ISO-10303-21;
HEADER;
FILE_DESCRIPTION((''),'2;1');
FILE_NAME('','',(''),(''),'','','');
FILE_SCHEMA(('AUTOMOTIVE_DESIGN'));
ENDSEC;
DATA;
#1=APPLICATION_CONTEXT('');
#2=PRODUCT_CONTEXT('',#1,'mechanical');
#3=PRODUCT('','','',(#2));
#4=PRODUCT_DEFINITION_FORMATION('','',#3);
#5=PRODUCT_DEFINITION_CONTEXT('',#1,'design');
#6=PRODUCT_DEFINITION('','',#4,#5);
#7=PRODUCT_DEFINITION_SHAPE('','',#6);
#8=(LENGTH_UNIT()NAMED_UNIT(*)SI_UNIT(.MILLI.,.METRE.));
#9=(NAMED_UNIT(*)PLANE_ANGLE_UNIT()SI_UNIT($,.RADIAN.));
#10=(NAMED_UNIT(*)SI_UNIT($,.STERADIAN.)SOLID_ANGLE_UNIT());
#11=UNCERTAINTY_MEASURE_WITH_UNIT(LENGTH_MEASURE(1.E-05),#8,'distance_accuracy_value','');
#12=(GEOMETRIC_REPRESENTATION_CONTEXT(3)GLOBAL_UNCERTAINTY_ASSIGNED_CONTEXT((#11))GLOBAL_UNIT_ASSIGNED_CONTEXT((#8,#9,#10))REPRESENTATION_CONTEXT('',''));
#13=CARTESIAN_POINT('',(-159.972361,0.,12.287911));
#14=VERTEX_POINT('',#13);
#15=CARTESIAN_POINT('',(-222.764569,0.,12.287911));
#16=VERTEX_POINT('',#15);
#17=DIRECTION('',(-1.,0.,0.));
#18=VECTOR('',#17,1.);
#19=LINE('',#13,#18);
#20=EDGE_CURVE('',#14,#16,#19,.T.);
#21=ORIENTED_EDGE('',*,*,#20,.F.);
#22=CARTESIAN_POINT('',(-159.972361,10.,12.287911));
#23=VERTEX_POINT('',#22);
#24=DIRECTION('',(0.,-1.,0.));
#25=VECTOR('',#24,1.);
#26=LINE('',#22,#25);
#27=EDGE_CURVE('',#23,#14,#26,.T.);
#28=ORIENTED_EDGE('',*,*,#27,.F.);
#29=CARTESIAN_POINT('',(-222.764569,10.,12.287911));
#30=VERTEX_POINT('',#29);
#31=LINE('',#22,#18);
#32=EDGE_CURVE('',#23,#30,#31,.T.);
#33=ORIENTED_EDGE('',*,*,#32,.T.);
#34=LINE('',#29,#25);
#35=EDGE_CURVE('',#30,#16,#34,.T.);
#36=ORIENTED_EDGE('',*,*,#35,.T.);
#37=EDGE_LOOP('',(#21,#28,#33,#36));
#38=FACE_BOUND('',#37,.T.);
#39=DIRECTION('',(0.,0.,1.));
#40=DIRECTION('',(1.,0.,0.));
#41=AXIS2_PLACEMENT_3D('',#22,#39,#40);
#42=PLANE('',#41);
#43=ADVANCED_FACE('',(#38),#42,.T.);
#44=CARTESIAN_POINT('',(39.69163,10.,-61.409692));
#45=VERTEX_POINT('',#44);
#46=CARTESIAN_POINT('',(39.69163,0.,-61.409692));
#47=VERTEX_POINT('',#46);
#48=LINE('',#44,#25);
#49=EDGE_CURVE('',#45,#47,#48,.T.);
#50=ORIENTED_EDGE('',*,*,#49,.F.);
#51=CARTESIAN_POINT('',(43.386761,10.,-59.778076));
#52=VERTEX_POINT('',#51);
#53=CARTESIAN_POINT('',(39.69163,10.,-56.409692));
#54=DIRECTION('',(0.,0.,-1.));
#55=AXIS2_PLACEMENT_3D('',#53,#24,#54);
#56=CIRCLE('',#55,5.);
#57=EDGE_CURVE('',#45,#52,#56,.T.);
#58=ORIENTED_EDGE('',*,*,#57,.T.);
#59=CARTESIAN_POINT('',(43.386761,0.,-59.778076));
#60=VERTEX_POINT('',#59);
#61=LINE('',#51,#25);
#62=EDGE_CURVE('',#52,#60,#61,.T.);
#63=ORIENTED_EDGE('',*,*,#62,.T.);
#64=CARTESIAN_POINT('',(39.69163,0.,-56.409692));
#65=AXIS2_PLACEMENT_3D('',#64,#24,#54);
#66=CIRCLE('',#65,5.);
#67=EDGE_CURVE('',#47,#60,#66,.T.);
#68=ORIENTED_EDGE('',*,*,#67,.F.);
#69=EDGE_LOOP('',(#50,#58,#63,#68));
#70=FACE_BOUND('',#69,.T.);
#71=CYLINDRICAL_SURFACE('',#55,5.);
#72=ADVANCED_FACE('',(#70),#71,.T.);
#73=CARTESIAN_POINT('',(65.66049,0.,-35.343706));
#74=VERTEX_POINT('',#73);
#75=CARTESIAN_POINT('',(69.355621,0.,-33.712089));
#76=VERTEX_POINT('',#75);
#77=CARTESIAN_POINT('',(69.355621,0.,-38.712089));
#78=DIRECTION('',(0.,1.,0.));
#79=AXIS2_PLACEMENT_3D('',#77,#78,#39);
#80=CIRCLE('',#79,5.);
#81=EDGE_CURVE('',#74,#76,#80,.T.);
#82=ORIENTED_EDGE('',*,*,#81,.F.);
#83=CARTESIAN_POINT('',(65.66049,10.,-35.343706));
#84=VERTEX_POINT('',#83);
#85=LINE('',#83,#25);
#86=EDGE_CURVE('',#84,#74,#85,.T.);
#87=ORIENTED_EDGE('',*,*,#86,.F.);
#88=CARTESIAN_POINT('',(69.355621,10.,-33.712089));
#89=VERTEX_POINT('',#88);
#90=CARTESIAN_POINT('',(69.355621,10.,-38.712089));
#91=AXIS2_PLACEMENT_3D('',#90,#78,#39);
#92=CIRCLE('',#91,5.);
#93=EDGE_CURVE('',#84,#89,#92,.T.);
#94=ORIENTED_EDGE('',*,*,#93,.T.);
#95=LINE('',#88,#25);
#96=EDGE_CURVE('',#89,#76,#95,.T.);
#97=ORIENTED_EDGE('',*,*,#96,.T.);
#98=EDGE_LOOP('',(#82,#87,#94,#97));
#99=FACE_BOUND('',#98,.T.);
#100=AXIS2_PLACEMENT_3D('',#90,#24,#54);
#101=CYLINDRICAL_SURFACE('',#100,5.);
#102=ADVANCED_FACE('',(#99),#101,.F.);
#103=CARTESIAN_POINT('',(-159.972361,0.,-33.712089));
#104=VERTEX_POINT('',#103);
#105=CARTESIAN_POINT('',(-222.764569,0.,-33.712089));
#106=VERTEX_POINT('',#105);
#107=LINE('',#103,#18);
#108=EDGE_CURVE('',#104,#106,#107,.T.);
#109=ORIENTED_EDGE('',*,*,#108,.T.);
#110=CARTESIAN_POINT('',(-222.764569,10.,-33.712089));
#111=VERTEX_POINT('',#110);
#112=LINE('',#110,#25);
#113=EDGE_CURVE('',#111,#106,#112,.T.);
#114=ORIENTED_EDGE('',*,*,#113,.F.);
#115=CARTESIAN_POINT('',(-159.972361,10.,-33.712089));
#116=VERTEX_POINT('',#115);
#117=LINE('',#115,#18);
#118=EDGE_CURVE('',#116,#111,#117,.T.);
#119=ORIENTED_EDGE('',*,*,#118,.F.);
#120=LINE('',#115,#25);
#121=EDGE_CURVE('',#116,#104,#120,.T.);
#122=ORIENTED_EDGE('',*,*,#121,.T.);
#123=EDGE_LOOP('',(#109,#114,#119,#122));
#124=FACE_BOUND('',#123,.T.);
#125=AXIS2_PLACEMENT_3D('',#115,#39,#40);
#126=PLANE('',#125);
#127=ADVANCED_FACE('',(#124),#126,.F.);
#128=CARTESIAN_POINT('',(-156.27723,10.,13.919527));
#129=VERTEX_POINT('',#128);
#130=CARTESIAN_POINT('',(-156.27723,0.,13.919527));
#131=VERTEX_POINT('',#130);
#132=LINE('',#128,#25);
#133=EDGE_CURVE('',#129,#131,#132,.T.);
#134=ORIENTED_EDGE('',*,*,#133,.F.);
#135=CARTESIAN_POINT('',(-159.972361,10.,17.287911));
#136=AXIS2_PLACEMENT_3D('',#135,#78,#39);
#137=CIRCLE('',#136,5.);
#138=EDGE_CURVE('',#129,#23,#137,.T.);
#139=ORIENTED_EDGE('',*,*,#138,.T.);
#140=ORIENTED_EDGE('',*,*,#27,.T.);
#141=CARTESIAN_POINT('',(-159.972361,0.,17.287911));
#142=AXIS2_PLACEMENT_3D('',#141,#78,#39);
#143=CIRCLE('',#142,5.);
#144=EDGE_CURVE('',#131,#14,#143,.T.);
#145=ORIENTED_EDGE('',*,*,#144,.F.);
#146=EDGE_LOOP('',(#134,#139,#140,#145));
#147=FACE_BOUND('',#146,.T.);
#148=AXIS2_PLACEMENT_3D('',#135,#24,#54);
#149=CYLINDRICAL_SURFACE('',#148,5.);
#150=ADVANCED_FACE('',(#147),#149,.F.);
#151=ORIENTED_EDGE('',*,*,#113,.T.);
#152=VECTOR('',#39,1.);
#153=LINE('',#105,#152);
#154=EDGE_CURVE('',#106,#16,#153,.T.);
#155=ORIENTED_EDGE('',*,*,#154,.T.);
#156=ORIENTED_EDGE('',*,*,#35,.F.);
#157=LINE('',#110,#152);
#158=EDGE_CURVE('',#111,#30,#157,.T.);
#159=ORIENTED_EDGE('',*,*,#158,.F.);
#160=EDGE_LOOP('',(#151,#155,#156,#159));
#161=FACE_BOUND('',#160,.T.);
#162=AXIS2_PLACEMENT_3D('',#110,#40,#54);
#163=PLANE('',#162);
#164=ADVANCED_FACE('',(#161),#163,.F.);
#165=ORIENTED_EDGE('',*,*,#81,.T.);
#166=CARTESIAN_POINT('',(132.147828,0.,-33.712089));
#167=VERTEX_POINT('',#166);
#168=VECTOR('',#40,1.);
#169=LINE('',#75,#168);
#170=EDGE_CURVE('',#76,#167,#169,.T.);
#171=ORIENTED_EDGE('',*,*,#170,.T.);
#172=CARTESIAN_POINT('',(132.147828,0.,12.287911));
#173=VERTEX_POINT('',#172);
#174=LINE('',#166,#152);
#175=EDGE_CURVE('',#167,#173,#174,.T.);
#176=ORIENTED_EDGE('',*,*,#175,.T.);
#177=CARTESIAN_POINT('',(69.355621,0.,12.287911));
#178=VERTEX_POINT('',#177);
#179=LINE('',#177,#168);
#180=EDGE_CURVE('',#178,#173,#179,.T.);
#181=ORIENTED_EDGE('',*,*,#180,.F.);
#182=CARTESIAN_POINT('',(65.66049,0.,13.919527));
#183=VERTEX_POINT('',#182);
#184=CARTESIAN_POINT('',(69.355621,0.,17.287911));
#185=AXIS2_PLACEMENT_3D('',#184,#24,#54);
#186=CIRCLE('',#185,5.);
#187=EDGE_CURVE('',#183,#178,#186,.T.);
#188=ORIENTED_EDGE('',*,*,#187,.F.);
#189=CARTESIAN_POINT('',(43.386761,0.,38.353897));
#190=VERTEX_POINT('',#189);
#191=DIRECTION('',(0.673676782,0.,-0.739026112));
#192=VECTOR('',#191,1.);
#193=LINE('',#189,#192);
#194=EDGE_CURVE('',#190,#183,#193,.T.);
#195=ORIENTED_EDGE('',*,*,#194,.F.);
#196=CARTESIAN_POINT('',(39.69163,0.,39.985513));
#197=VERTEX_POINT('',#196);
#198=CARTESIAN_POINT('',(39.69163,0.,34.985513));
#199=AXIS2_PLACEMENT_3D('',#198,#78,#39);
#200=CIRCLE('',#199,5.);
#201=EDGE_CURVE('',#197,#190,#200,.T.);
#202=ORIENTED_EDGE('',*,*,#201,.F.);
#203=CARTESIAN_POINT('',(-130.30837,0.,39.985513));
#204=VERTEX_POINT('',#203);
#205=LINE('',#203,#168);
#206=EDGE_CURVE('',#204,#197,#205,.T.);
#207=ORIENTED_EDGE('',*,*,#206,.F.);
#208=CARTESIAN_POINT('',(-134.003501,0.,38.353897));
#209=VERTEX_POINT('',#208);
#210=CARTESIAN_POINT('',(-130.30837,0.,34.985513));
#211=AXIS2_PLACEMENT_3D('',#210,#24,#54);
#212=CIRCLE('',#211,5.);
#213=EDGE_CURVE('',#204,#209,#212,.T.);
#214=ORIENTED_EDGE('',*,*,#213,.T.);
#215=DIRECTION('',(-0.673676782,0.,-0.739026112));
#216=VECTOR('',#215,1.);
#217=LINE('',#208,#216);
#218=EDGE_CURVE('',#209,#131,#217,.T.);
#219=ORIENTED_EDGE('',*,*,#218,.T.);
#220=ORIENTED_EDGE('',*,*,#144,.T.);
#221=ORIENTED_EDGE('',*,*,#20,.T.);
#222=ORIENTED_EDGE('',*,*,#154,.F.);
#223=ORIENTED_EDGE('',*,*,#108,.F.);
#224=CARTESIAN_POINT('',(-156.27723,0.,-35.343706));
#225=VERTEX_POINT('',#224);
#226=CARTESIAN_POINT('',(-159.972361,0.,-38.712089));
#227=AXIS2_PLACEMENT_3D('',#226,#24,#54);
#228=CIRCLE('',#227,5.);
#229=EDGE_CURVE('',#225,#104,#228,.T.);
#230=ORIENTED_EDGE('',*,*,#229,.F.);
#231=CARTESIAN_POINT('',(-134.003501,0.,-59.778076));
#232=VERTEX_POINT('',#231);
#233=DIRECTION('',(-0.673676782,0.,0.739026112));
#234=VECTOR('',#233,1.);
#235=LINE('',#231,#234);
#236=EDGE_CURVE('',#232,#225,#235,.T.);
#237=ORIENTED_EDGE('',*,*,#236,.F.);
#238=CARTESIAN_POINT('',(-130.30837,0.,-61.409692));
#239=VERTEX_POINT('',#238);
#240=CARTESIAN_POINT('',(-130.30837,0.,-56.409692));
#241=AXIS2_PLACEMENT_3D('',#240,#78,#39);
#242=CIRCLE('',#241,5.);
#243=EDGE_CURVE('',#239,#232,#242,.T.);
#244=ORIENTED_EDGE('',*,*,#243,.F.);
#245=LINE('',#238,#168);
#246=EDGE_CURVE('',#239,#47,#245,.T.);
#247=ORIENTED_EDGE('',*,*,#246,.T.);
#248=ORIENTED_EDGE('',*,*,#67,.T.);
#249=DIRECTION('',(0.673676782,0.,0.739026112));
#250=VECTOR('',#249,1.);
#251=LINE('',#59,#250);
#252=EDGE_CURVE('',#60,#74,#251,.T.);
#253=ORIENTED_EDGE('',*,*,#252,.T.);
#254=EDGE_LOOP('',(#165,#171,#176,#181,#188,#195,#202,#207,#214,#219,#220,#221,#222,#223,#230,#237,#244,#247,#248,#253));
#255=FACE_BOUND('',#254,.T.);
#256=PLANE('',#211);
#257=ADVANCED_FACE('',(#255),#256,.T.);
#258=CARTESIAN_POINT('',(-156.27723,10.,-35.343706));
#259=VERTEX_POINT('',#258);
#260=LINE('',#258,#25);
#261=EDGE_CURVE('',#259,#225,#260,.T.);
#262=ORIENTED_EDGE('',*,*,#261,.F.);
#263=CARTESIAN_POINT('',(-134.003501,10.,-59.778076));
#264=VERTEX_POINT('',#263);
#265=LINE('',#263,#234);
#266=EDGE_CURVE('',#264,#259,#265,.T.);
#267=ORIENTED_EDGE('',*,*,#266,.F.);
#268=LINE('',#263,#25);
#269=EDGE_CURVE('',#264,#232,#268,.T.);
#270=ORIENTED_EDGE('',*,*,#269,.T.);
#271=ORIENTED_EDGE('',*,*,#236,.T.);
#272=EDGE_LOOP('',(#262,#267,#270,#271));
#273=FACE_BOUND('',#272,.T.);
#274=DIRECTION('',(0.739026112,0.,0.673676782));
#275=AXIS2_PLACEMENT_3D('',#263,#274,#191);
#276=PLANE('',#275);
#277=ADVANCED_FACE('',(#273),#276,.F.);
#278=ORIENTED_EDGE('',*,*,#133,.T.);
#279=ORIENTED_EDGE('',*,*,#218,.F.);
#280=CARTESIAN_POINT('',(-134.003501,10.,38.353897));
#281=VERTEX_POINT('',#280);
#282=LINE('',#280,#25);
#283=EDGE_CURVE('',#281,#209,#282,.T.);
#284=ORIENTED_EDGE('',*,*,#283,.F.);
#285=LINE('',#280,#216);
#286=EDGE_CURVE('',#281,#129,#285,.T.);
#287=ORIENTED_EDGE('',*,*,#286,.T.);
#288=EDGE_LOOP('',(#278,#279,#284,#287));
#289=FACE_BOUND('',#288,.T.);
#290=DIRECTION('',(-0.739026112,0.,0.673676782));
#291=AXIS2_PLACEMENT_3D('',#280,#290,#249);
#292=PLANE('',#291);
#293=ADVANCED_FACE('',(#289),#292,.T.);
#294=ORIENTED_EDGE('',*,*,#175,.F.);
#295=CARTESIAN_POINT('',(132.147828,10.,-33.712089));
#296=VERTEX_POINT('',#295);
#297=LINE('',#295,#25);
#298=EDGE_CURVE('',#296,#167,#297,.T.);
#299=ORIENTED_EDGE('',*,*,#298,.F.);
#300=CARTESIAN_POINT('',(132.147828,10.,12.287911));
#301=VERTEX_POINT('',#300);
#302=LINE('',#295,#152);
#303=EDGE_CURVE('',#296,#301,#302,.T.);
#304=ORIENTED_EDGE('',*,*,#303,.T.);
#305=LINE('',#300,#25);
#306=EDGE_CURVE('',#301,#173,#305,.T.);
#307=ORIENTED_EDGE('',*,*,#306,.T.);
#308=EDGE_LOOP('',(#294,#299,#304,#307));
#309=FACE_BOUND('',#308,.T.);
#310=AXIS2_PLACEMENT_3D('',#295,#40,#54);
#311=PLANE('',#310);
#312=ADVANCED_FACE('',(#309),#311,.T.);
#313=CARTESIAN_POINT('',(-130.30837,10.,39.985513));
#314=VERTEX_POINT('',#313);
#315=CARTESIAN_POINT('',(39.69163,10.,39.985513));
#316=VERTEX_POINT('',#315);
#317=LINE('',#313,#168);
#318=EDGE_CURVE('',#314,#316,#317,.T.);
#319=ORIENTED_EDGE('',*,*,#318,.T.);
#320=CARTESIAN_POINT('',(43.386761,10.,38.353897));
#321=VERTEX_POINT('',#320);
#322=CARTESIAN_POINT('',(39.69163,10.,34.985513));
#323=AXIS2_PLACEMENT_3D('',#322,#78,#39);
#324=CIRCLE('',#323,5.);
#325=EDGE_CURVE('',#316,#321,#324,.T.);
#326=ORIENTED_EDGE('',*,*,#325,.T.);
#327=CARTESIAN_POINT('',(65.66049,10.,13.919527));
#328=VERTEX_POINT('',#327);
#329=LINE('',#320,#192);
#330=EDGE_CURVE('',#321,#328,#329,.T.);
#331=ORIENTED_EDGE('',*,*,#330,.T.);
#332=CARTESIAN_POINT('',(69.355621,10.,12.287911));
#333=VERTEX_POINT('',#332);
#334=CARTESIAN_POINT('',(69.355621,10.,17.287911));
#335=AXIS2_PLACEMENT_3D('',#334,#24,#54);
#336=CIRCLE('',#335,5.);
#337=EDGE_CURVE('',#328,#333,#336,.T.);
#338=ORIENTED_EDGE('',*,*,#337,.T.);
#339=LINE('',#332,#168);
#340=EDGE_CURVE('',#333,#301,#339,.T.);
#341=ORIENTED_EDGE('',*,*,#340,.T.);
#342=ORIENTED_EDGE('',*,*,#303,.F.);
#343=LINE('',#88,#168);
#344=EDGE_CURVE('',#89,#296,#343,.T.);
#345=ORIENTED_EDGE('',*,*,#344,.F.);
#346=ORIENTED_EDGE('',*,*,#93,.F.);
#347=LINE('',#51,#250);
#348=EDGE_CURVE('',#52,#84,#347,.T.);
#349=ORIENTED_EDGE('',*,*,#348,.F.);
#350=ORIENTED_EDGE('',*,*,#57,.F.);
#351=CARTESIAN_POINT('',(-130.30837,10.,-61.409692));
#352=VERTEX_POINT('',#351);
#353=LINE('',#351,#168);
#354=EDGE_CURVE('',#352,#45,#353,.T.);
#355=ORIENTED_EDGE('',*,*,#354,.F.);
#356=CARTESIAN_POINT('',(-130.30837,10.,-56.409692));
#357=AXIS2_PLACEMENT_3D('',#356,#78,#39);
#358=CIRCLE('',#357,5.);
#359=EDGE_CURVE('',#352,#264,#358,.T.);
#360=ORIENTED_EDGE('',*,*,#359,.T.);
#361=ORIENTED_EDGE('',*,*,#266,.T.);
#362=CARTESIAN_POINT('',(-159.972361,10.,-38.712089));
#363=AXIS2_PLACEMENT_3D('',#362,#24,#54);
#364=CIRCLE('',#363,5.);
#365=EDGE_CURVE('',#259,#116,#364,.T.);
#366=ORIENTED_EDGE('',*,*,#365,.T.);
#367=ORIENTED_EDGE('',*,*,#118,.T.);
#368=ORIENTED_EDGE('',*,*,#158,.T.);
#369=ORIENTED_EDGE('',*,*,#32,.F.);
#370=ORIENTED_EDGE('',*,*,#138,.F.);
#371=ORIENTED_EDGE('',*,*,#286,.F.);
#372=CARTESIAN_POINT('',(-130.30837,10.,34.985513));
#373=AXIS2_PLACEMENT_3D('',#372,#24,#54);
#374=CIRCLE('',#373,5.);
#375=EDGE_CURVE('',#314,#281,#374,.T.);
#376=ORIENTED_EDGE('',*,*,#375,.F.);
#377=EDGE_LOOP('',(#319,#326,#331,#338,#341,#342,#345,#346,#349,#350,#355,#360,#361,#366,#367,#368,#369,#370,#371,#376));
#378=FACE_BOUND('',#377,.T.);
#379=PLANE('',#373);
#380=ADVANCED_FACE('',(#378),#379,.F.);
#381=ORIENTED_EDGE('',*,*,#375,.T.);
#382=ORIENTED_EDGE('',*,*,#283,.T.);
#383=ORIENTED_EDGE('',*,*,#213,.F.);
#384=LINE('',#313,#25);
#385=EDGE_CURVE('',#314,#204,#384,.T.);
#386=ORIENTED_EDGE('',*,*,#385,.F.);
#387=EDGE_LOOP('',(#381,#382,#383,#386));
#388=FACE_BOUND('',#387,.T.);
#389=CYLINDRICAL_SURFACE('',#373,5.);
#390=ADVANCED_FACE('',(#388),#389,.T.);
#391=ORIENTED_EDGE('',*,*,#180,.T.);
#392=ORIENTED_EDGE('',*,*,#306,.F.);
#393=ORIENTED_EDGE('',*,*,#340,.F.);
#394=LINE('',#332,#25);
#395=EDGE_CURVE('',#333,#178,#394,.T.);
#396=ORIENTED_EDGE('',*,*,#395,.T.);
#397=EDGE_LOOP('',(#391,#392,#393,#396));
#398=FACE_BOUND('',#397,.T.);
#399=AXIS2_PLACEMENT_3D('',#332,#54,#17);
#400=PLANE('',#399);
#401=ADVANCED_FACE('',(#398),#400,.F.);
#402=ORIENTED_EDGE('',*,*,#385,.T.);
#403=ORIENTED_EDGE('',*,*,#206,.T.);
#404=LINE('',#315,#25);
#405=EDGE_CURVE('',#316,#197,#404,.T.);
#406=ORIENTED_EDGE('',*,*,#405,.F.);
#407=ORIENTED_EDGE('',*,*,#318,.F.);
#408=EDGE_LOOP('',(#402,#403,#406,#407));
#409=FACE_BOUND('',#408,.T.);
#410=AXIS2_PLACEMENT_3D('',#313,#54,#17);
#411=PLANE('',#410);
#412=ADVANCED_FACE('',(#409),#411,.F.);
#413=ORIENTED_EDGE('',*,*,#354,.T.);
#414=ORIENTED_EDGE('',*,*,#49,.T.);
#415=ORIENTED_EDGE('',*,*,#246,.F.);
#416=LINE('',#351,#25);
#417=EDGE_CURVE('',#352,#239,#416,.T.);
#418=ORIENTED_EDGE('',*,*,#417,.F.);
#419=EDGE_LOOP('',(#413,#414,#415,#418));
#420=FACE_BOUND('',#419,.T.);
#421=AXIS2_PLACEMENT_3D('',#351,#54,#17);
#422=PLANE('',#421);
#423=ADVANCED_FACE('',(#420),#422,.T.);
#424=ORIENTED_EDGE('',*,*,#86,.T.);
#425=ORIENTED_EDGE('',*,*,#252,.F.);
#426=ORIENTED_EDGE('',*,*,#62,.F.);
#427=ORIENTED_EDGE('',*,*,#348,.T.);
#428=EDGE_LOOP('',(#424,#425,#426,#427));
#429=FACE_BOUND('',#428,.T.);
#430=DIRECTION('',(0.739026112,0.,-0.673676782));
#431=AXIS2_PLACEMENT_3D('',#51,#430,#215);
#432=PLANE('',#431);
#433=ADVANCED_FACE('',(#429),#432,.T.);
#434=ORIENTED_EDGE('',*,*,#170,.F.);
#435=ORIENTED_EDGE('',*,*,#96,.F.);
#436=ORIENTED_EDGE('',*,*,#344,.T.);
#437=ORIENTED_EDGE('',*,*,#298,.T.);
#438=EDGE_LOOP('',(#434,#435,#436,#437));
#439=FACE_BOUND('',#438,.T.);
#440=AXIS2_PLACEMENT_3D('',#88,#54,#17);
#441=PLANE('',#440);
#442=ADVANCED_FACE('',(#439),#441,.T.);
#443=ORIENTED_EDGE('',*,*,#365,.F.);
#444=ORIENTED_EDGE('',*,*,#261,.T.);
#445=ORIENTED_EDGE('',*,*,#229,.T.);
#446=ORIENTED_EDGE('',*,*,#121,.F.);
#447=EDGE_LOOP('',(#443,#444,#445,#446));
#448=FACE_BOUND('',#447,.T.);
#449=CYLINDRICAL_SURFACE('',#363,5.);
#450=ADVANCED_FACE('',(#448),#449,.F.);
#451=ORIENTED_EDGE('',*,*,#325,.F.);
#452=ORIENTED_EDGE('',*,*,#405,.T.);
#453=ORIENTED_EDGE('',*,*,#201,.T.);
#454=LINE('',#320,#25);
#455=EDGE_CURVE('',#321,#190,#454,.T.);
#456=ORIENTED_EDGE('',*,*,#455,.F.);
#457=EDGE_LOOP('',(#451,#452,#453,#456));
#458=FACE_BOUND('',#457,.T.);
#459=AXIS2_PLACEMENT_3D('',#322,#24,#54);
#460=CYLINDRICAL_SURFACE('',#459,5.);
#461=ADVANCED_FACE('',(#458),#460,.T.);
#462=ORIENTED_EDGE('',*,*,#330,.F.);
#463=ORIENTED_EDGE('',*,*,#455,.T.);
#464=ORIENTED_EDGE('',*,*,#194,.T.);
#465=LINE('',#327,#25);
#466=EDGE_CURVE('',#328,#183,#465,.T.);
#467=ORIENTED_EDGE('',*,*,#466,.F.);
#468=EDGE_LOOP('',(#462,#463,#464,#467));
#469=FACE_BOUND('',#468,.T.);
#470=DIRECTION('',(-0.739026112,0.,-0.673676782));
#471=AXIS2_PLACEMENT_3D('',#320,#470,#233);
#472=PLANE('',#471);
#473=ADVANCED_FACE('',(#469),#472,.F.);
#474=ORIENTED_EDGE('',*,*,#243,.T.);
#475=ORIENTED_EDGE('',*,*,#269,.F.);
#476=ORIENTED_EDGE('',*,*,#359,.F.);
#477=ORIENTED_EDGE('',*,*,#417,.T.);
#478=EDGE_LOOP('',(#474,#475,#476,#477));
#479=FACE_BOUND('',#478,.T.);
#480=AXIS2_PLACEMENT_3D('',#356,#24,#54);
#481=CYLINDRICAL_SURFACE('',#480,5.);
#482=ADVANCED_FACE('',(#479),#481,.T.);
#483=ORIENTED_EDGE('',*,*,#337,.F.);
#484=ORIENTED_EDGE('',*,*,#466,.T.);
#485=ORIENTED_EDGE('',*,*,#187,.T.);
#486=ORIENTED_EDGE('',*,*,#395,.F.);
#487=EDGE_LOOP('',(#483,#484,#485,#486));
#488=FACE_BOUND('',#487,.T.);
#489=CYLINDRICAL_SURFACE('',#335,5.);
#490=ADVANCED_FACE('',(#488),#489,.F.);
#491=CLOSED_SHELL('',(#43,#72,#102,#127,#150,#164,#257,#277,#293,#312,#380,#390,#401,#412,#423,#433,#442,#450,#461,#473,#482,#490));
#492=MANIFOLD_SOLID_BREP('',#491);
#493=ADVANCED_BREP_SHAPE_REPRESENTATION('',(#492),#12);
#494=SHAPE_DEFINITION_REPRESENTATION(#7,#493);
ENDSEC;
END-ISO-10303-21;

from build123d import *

# Parameters (mm, degrees)
BOSS_EXTRUDE1_DEPTH = 10


with BuildPart() as part:
    # Sketch1 → Boss-Extrude1 (new body)
    with BuildSketch(Plane(origin=(0, 0, 0), x_dir=(1, 0, 0), z_dir=(0, 1, 0))):
        with BuildLine():
            Line((-130.308370044, 61.40969163), (39.691629956, 61.40969163))
            ThreePointArc((39.691629956, 61.40969163), (41.71129335, 60.983635199), (43.386760513, 59.77807554))
            Line((43.386760513, 59.77807554), (65.66049007, 35.343705551))
            ThreePointArc((65.66049007, 35.343705551), (67.335957233, 34.138145891), (69.355620627, 33.712089461))
            Line((69.355620627, 33.712089461), (132.147828419, 33.712089461))
            Line((132.147828419, 33.712089461), (132.147828419, -12.287910539))
            Line((132.147828419, -12.287910539), (69.355620627, -12.287910539))
            ThreePointArc((69.355620627, -12.287910539), (67.335957233, -12.71396697), (65.66049007, -13.91952663))
            Line((65.66049007, -13.91952663), (43.386760513, -38.353896619))
            ThreePointArc((43.386760513, -38.353896619), (41.71129335, -39.559456278), (39.691629956, -39.985512709))
            Line((39.691629956, -39.985512709), (-130.308370044, -39.985512709))
            ThreePointArc((-130.308370044, -39.985512709), (-132.328033438, -39.559456278), (-134.003500602, -38.353896619))
            Line((-134.003500602, -38.353896619), (-156.277230158, -13.91952663))
            ThreePointArc((-156.277230158, -13.91952663), (-157.952697321, -12.71396697), (-159.972360715, -12.287910539))
            Line((-159.972360715, -12.287910539), (-222.764568508, -12.287910539))
            Line((-222.764568508, -12.287910539), (-222.764568508, 33.712089461))
            Line((-222.764568508, 33.712089461), (-159.972360715, 33.712089461))
            ThreePointArc((-159.972360715, 33.712089461), (-157.952697321, 34.138145891), (-156.277230158, 35.343705551))
            Line((-156.277230158, 35.343705551), (-134.003500602, 59.77807554))
            ThreePointArc((-134.003500602, 59.77807554), (-132.328033438, 60.983635199), (-130.308370044, 61.40969163))
        make_face()
    extrude(amount=BOSS_EXTRUDE1_DEPTH)


solid = part.part
